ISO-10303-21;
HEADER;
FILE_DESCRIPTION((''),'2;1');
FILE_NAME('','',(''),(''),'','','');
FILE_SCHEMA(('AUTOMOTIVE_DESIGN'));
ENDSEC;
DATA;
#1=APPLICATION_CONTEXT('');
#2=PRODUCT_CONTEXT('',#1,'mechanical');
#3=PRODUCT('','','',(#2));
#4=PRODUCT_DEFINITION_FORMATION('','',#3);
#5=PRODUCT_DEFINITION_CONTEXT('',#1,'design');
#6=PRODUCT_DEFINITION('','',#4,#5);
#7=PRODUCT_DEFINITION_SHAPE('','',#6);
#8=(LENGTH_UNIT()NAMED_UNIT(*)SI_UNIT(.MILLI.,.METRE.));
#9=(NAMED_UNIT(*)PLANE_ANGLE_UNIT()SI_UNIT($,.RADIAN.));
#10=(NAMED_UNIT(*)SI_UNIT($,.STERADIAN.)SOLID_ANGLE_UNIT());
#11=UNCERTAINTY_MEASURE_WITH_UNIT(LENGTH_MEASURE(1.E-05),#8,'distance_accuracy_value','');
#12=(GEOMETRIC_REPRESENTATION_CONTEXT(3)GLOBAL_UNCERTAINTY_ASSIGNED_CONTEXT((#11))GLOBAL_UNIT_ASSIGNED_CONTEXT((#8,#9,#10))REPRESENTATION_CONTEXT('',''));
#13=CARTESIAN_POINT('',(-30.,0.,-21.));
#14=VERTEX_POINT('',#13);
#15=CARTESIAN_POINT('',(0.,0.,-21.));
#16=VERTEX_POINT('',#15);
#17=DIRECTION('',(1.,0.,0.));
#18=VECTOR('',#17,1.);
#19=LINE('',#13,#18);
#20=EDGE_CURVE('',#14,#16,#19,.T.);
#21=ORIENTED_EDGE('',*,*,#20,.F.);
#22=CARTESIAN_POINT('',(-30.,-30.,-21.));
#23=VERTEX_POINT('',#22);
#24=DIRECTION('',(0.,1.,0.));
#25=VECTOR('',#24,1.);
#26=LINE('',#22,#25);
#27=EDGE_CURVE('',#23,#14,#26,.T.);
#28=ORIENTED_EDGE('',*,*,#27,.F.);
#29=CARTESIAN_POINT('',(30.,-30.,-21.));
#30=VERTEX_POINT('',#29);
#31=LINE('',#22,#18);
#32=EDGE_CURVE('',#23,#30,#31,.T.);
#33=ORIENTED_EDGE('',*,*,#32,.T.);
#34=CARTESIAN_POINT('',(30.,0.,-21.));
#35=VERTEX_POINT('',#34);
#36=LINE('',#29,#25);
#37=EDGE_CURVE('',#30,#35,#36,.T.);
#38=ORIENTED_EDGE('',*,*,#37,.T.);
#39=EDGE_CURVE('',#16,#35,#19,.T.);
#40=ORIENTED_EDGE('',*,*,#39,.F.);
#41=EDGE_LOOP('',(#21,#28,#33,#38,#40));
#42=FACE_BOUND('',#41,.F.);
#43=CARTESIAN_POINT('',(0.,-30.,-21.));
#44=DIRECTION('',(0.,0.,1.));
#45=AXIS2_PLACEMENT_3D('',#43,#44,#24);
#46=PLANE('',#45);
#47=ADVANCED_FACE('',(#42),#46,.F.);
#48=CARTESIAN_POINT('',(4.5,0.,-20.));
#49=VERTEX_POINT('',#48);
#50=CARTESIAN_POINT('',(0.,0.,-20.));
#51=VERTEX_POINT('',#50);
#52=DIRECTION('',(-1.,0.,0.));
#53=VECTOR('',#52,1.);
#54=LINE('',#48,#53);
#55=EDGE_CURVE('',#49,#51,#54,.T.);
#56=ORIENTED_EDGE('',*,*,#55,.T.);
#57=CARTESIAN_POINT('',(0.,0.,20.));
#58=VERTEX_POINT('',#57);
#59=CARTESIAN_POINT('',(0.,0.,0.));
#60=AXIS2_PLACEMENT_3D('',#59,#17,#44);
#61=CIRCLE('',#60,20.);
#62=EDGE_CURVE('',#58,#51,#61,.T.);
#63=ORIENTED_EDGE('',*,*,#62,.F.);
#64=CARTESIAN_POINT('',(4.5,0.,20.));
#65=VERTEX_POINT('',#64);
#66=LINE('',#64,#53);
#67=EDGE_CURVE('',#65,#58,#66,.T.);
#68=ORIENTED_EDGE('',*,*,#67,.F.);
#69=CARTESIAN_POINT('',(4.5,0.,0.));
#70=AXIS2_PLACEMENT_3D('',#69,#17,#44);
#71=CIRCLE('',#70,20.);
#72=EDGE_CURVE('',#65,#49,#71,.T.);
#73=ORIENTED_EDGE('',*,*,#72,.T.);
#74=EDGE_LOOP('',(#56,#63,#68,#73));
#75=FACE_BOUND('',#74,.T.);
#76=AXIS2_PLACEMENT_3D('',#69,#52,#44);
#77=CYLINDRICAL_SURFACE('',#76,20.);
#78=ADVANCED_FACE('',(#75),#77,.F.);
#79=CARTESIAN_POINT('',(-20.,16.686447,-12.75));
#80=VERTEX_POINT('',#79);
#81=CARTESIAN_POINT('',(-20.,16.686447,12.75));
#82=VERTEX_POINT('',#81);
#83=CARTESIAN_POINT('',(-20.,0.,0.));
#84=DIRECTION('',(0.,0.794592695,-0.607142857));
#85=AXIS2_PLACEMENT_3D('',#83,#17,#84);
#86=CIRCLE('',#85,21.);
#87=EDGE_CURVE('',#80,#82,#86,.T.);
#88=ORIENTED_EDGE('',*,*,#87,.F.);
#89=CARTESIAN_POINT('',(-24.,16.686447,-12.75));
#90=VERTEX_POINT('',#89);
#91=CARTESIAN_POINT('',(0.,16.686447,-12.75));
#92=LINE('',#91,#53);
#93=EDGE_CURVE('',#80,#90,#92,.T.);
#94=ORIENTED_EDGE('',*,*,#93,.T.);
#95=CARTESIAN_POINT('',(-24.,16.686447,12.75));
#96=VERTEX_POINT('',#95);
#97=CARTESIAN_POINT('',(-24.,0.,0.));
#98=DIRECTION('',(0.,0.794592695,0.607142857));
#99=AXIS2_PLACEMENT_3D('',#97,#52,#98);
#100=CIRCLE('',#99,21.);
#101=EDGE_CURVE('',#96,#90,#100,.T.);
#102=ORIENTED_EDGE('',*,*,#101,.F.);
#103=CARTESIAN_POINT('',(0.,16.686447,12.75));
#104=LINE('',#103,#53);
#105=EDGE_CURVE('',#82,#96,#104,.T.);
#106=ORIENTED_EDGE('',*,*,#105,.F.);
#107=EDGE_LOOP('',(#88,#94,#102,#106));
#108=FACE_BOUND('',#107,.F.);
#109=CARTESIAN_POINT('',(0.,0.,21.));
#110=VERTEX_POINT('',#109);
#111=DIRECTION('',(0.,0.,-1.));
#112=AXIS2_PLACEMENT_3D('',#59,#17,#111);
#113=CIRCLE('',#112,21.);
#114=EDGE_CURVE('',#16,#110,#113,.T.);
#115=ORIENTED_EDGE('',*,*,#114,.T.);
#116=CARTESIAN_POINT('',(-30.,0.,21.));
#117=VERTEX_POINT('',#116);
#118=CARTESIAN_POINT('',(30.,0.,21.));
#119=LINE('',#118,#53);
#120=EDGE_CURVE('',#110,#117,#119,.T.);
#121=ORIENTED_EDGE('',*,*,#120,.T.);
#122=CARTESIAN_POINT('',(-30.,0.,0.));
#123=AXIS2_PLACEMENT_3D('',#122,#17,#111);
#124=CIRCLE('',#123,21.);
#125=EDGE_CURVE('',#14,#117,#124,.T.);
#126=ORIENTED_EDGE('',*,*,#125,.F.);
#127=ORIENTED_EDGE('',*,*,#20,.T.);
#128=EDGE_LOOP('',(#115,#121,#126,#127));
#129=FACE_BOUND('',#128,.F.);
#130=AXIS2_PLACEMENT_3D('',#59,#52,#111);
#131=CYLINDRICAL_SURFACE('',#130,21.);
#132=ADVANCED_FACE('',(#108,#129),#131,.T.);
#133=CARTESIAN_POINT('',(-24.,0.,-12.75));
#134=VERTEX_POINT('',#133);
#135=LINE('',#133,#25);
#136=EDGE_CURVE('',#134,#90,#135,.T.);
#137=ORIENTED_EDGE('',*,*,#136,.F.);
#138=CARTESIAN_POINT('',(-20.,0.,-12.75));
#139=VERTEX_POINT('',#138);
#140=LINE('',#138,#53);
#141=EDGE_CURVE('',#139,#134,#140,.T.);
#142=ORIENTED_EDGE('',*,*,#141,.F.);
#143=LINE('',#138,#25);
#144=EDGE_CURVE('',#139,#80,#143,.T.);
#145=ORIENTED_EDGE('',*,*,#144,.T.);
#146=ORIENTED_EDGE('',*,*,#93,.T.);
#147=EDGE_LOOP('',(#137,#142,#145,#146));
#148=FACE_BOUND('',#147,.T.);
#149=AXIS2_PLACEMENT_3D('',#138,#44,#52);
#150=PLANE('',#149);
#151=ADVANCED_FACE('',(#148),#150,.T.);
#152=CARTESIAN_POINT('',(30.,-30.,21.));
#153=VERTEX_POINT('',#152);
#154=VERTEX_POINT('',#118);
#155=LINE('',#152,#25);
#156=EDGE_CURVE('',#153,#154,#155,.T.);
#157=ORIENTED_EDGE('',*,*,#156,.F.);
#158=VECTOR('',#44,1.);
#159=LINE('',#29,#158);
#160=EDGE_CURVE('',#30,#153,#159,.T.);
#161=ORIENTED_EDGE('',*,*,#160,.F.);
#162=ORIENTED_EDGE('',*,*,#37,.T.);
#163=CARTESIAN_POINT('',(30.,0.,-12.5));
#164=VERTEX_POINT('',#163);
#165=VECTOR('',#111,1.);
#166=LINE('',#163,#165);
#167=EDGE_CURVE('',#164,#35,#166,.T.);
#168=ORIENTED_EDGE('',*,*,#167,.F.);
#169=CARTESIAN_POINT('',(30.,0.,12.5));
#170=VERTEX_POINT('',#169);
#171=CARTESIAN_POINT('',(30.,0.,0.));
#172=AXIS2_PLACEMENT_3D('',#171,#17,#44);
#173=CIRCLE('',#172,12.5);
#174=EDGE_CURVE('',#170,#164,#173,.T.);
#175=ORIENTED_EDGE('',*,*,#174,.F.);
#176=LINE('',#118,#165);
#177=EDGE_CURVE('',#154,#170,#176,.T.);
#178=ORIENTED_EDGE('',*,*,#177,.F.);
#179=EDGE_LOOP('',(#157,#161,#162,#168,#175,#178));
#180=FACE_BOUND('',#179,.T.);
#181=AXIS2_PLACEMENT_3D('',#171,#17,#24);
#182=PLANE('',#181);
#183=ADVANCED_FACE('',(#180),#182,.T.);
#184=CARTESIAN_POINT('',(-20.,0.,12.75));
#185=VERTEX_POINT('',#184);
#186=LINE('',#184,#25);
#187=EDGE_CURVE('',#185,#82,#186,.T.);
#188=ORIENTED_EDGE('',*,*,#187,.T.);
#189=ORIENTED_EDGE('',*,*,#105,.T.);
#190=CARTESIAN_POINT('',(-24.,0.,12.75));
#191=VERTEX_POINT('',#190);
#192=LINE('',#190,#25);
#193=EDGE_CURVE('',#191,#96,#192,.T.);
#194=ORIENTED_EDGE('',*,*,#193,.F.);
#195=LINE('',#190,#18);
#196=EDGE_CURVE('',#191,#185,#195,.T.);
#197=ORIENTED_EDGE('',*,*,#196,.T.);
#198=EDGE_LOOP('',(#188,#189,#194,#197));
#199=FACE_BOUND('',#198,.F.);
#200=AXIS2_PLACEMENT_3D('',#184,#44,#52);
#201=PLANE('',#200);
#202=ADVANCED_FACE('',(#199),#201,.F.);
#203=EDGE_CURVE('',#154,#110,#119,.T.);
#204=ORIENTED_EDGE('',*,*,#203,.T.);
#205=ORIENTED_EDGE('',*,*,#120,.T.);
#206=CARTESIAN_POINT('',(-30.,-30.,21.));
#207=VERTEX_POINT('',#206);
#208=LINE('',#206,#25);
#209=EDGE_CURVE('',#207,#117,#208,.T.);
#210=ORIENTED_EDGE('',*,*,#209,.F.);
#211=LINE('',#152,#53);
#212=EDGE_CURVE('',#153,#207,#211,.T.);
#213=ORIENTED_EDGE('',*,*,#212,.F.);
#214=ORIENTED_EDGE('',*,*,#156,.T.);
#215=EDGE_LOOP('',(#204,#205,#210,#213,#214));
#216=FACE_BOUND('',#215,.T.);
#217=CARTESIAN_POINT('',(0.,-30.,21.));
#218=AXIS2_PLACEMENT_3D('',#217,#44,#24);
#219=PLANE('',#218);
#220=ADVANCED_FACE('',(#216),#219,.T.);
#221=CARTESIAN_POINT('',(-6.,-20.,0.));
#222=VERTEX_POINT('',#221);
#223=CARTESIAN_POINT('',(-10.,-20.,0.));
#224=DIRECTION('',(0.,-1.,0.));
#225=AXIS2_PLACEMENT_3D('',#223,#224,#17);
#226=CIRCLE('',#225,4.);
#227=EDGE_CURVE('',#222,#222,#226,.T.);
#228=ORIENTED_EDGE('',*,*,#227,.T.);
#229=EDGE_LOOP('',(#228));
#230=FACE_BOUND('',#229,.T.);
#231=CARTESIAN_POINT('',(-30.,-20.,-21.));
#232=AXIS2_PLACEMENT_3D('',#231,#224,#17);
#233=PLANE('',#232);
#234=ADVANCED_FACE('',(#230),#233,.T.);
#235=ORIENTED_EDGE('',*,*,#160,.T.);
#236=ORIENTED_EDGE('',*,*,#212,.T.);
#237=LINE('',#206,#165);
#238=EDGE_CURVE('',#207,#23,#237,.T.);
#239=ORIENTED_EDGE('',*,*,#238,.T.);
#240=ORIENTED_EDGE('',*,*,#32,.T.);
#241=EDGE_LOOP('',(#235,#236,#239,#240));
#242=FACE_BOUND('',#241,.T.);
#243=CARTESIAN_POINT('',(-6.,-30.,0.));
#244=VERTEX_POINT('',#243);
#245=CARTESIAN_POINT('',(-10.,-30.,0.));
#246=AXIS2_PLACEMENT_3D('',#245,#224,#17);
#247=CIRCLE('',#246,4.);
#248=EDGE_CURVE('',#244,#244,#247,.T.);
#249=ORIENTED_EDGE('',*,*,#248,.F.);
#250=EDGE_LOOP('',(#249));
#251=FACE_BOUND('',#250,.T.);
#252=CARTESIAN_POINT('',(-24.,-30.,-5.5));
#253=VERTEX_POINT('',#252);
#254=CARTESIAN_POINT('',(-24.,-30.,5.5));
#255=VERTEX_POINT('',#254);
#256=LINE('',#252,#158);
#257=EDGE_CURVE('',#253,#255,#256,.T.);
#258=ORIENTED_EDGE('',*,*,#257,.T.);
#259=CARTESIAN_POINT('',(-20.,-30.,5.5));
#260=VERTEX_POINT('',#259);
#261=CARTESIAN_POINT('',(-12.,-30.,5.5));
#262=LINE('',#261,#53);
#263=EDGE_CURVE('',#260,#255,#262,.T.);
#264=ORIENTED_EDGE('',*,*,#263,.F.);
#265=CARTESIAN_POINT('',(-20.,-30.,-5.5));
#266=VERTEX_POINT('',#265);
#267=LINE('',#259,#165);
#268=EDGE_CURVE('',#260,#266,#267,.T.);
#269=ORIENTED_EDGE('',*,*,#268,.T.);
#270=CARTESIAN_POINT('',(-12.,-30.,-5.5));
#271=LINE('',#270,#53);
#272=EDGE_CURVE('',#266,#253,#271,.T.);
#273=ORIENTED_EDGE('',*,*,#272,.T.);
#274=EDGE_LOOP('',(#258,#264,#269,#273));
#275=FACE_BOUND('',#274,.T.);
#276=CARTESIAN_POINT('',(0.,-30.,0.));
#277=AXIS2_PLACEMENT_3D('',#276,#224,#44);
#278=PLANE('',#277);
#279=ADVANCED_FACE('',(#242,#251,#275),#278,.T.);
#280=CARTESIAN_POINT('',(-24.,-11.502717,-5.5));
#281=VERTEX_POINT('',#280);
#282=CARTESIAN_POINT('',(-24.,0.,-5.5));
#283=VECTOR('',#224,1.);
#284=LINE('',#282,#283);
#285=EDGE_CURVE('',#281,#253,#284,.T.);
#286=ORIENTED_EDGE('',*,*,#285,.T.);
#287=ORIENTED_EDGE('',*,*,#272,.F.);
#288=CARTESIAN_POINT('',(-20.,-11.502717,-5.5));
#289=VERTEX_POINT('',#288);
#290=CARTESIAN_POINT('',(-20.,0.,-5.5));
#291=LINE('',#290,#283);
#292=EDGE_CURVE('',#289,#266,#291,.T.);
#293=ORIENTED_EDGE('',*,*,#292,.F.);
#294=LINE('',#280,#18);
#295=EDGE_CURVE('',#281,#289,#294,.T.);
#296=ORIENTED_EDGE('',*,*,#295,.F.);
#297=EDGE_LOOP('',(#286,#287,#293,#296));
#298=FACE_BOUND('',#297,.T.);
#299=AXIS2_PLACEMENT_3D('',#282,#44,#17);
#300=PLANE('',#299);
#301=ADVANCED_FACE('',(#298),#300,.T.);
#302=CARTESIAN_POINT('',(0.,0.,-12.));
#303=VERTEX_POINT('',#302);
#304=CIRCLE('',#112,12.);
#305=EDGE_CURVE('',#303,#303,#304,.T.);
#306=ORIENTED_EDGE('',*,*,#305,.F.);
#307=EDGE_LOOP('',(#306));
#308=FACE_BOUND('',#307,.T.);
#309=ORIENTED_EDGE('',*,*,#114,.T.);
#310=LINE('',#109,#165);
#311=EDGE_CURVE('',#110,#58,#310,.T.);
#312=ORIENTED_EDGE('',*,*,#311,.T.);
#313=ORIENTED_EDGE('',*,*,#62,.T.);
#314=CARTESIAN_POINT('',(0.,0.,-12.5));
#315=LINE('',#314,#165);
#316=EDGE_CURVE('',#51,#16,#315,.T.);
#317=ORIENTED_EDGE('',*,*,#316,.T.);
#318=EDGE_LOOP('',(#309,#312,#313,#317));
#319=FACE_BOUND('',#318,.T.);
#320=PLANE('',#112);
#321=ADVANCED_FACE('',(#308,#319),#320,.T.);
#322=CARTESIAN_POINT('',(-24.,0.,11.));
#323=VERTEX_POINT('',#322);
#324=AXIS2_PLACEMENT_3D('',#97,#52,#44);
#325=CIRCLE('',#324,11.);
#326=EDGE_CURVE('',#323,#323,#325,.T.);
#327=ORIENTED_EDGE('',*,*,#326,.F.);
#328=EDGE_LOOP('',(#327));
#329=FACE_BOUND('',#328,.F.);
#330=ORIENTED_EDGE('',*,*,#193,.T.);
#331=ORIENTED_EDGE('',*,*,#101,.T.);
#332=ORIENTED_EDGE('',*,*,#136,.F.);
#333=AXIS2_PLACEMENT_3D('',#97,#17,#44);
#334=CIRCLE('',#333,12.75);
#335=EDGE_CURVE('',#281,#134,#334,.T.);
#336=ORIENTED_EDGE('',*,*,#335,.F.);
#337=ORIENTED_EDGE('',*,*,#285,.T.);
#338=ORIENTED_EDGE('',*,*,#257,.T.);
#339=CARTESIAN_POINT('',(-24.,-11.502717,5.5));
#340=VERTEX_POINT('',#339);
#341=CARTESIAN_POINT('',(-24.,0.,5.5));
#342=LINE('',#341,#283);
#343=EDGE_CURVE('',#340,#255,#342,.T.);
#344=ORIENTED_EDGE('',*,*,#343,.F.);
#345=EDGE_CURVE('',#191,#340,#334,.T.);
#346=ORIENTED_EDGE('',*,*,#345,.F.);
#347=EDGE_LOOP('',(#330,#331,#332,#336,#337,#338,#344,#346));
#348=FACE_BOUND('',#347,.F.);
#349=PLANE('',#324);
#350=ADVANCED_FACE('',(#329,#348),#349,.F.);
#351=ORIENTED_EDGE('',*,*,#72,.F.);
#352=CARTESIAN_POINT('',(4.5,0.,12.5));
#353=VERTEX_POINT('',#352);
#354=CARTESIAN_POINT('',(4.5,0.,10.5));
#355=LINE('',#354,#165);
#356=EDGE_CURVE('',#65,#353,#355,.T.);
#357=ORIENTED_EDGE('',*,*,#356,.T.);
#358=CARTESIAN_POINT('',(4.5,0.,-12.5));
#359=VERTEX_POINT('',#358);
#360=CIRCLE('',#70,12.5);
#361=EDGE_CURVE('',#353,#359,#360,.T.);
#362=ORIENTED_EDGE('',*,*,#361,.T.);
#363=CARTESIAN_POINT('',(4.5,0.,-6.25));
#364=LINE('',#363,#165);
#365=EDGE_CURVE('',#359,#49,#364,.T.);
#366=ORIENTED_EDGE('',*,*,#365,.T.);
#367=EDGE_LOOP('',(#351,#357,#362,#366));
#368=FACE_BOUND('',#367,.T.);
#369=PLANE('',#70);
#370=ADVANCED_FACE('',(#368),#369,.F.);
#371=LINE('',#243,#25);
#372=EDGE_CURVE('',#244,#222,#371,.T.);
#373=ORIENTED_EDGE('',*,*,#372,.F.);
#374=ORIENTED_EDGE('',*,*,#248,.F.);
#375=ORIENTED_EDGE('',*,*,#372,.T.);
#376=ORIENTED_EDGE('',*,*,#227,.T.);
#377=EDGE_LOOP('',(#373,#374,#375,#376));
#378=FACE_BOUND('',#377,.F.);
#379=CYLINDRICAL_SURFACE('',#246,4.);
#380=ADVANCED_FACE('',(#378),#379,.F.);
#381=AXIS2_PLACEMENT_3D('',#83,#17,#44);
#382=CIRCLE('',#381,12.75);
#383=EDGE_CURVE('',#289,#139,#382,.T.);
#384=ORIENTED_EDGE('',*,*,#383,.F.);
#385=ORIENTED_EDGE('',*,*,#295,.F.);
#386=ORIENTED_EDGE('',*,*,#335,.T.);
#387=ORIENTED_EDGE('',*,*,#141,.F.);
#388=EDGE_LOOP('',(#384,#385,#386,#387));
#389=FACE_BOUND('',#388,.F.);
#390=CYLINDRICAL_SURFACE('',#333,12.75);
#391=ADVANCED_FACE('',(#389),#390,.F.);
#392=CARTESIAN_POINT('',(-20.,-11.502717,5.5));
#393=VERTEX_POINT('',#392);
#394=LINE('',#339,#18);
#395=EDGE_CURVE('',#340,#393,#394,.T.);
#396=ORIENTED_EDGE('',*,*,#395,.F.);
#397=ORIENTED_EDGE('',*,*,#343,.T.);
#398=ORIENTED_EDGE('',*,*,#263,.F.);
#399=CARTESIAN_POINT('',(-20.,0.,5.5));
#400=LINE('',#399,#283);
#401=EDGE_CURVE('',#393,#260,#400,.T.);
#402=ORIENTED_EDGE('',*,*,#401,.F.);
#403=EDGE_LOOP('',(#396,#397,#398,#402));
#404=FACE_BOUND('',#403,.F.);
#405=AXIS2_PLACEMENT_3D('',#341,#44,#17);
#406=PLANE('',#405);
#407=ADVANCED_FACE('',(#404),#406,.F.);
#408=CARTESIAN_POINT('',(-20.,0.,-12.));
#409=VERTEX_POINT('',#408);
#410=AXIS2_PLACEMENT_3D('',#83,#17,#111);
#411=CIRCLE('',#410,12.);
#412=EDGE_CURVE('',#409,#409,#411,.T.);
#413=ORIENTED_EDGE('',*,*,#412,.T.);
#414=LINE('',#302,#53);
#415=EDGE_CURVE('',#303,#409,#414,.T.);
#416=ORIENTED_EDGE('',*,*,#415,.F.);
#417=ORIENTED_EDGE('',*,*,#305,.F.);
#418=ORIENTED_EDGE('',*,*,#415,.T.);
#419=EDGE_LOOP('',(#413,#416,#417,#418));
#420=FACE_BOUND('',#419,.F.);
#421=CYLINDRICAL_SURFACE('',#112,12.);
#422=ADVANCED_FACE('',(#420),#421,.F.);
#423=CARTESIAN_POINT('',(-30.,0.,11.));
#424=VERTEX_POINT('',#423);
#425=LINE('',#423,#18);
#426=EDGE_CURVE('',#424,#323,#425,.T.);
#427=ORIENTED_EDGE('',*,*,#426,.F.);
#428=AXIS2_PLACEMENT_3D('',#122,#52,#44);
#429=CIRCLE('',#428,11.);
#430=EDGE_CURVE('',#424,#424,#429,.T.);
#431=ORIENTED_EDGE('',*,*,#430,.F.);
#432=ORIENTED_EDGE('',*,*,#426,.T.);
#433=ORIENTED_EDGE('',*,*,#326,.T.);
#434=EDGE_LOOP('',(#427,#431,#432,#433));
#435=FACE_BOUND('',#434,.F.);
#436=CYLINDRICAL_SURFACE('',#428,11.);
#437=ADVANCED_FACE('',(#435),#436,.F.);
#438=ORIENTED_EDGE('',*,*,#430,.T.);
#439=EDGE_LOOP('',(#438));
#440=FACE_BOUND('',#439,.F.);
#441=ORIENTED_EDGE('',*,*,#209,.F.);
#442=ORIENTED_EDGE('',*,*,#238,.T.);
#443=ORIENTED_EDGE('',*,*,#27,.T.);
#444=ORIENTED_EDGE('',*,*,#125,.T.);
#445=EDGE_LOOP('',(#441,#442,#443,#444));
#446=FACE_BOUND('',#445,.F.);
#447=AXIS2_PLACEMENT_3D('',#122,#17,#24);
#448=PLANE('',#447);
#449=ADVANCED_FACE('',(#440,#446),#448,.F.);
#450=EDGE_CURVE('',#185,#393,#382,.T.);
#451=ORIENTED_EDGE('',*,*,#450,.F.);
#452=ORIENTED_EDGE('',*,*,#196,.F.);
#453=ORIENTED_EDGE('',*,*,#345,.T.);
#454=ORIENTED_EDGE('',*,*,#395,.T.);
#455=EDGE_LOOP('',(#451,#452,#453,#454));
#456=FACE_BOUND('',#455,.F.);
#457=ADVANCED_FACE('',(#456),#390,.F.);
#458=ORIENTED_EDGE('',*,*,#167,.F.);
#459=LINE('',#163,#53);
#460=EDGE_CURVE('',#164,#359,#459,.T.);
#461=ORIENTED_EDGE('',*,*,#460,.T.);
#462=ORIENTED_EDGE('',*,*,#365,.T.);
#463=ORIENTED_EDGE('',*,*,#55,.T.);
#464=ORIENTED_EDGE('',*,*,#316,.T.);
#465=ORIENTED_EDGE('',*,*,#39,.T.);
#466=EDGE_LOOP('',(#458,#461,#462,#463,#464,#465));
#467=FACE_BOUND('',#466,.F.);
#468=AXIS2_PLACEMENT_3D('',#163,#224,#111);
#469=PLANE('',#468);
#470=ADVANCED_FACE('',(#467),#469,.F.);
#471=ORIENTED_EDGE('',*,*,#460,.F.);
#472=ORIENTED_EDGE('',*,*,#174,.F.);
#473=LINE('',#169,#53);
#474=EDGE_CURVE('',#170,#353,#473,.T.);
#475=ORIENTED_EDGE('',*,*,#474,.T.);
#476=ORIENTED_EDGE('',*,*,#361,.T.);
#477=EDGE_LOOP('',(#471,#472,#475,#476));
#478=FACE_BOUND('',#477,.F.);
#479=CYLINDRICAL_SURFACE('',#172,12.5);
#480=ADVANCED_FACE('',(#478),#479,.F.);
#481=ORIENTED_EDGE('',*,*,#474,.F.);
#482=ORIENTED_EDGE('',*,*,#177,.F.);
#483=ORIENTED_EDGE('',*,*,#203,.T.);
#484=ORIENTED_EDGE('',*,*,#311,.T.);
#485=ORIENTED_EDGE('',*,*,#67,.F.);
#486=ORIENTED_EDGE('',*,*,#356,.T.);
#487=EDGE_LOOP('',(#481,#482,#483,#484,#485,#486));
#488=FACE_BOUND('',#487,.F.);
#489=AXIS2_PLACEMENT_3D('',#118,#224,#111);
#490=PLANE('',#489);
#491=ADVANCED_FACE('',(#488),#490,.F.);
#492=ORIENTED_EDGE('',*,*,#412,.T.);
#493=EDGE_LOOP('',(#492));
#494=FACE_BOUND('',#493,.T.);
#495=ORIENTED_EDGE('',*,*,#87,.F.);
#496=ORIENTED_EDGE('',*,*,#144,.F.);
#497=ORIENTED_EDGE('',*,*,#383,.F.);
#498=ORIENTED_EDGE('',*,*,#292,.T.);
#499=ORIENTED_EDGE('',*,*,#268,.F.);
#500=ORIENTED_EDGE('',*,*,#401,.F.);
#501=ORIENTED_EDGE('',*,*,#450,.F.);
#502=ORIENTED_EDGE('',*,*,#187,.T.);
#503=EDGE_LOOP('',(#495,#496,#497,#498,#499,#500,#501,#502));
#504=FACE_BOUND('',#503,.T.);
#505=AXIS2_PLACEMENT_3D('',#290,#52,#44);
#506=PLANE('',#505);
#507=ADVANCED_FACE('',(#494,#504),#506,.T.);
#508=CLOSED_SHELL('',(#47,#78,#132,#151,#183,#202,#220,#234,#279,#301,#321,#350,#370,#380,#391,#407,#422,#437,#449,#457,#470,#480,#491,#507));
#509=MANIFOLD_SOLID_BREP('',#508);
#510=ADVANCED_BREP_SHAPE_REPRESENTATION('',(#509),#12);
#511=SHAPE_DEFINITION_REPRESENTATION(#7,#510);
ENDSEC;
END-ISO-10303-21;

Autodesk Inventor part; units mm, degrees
ref_plane "YZ Plane" through (0, 0, 0) normal (1, 0, 0) x (0, 1, 0)
ref_plane "XZ Plane" through (0, 0, 0) normal (0, 1, 0) x (-1, 0, 0)
ref_plane "XY Plane" through (0, 0, 0) normal (0, 0, 1) x (1, 0, 0)
sketch "スケッチ1" plane through (0, 0, 0) normal (1, 0, 0) x (0, 1, 0)
  line L0 (-30, 0) -> (-30, 21)
  line L1 (-30, 21) -> (0, 21)
  line L2 (0, 21) -> (0, 0)
  line L3 (-30, 0) -> (-30, -21)
  line L4 (-30, -21) -> (0, -21)
  line L5 (0, -21) -> (0, 0)
  arc A0 (0, -21) -> (0, 21) centre (0, 0) ccw
  dimension "d0" = 30
  dimension "d1" = 21
extrude "押し出し1" add sketch "スケッチ1" along normal mid plane 60
sketch "スケッチ2" plane through (30, 0, 0) normal (1, 0, 0) x (0, 0, -1)
  arc A0 (-12.5, 0) -> (12.5, 0) centre (0, 0) ccw
  arc A1 (21, 0) -> (-21, 0) centre (0, 0) ccw
  line L0 (-21, 0) -> (-12.5, 0)
  line L1 (12.5, 0) -> (21, 0)
  dimension "d4" = 25
extrude "押し出し2" cut sketch "スケッチ2" against normal blind 30
sketch "スケッチ3" plane through (0, 0, 0) normal (0, 1, 0) x (-1, 0, 0)
  line L0 (0, 0) -> (-4.5, 0)
  line L1 (-4.5, 0) -> (-4.5, 20)
  line L2 (-4.5, 20) -> (0, 20)
  line L3 (0, 20) -> (0, 0)
  line L4 (42, 0) -> (-42, 0) projected
  dimension "d7" = 4.5
  dimension "d8" = 20
revolve "回転1" cut sketch "スケッチ3" angle 360 about axis through (-10, 0, 0) along (1, 0, 0)
sketch "スケッチ4" plane through (0, 0, 0) normal (1, 0, 0) x (0, 0, -1)
  circle A0 centre (0, 0) radius 12
  dimension "d15" = 24
extrude "押し出し3" cut sketch "スケッチ4" against normal blind 20
sketch "スケッチ6" plane through (0, 0, 0) normal (0, 1, 0) x (-1, 0, 0)
  line L0 (20, -12) -> (20, 12) projected
  line L1 (20, 0) -> (24, 0)
  line L2 (24, 0) -> (24, 12.75)
  line L3 (24, 12.75) -> (20, 12.75)
  line L4 (20, 12.75) -> (20, 0)
  line L5 (42, 0) -> (-42, 0) projected
  point P0 (0, 0)
  dimension "d16" = 4
  dimension "d17" = 12.75
revolve "回転3" cut sketch "スケッチ6" angle 360 about axis through (-10, 0, 0) along (1, 0, 0)
sketch "スケッチ7" plane through (-30, 0, 0) normal (-1, 0, 0) x (0, 0, 1)
  circle A0 centre (0, 0) radius 11
  dimension "d19" = 22
extrude "押し出し4" cut sketch "スケッチ7" against normal through all
sketch "スケッチ8" plane through (0, 0, 0) normal (0, 1, 0) x (-1, 0, 0)
  line L0 (20, 12.75) -> (24, 12.75) projected
  line L1 (24, 0) -> (24, 12.75)
  line L2 (24, 12.75) -> (20, 12.75)
  line L3 (20, 12.75) -> (20, 0)
  line L4 (20, -12.75) -> (24, -12.75)
  line L5 (24, 0) -> (24, -12.75)
  line L6 (20, -12.75) -> (20, 0)
  point P0 (0, 0)
extrude "押し出し5" cut sketch "スケッチ8" along normal through all
sketch "スケッチ9" plane through (0, 0, 0) normal (0, 1, 0) x (-1, 0, 0)
  line L0 (24, 0) -> (24, -5.5)
  line L1 (24, -5.5) -> (20, -5.5)
  line L2 (20, -5.5) -> (20, 0)
  line L3 (24, 0) -> (24, 5.5)
  line L4 (24, 5.5) -> (20, 5.5)
  line L5 (20, 5.5) -> (20, 0)
  point P0 (0, 0)
  dimension "d24" = 4
  dimension "d25" = 5.5
extrude "押し出し6" cut sketch "スケッチ9" against normal through all
sketch "スケッチ10" plane through (-30, -30, -21) normal (0, -1, 0) x (1, 0, 0)
  line L0 (30, 21) -> (20, 21) construction
  circle A0 centre (20, 21) radius 4
  dimension "d28" = 10
  dimension "d29" = 8
extrude "押し出し7" cut sketch "スケッチ10" against normal blind 10
properties part number "raman-colimeter-holder" material "ABS プラスチック"
